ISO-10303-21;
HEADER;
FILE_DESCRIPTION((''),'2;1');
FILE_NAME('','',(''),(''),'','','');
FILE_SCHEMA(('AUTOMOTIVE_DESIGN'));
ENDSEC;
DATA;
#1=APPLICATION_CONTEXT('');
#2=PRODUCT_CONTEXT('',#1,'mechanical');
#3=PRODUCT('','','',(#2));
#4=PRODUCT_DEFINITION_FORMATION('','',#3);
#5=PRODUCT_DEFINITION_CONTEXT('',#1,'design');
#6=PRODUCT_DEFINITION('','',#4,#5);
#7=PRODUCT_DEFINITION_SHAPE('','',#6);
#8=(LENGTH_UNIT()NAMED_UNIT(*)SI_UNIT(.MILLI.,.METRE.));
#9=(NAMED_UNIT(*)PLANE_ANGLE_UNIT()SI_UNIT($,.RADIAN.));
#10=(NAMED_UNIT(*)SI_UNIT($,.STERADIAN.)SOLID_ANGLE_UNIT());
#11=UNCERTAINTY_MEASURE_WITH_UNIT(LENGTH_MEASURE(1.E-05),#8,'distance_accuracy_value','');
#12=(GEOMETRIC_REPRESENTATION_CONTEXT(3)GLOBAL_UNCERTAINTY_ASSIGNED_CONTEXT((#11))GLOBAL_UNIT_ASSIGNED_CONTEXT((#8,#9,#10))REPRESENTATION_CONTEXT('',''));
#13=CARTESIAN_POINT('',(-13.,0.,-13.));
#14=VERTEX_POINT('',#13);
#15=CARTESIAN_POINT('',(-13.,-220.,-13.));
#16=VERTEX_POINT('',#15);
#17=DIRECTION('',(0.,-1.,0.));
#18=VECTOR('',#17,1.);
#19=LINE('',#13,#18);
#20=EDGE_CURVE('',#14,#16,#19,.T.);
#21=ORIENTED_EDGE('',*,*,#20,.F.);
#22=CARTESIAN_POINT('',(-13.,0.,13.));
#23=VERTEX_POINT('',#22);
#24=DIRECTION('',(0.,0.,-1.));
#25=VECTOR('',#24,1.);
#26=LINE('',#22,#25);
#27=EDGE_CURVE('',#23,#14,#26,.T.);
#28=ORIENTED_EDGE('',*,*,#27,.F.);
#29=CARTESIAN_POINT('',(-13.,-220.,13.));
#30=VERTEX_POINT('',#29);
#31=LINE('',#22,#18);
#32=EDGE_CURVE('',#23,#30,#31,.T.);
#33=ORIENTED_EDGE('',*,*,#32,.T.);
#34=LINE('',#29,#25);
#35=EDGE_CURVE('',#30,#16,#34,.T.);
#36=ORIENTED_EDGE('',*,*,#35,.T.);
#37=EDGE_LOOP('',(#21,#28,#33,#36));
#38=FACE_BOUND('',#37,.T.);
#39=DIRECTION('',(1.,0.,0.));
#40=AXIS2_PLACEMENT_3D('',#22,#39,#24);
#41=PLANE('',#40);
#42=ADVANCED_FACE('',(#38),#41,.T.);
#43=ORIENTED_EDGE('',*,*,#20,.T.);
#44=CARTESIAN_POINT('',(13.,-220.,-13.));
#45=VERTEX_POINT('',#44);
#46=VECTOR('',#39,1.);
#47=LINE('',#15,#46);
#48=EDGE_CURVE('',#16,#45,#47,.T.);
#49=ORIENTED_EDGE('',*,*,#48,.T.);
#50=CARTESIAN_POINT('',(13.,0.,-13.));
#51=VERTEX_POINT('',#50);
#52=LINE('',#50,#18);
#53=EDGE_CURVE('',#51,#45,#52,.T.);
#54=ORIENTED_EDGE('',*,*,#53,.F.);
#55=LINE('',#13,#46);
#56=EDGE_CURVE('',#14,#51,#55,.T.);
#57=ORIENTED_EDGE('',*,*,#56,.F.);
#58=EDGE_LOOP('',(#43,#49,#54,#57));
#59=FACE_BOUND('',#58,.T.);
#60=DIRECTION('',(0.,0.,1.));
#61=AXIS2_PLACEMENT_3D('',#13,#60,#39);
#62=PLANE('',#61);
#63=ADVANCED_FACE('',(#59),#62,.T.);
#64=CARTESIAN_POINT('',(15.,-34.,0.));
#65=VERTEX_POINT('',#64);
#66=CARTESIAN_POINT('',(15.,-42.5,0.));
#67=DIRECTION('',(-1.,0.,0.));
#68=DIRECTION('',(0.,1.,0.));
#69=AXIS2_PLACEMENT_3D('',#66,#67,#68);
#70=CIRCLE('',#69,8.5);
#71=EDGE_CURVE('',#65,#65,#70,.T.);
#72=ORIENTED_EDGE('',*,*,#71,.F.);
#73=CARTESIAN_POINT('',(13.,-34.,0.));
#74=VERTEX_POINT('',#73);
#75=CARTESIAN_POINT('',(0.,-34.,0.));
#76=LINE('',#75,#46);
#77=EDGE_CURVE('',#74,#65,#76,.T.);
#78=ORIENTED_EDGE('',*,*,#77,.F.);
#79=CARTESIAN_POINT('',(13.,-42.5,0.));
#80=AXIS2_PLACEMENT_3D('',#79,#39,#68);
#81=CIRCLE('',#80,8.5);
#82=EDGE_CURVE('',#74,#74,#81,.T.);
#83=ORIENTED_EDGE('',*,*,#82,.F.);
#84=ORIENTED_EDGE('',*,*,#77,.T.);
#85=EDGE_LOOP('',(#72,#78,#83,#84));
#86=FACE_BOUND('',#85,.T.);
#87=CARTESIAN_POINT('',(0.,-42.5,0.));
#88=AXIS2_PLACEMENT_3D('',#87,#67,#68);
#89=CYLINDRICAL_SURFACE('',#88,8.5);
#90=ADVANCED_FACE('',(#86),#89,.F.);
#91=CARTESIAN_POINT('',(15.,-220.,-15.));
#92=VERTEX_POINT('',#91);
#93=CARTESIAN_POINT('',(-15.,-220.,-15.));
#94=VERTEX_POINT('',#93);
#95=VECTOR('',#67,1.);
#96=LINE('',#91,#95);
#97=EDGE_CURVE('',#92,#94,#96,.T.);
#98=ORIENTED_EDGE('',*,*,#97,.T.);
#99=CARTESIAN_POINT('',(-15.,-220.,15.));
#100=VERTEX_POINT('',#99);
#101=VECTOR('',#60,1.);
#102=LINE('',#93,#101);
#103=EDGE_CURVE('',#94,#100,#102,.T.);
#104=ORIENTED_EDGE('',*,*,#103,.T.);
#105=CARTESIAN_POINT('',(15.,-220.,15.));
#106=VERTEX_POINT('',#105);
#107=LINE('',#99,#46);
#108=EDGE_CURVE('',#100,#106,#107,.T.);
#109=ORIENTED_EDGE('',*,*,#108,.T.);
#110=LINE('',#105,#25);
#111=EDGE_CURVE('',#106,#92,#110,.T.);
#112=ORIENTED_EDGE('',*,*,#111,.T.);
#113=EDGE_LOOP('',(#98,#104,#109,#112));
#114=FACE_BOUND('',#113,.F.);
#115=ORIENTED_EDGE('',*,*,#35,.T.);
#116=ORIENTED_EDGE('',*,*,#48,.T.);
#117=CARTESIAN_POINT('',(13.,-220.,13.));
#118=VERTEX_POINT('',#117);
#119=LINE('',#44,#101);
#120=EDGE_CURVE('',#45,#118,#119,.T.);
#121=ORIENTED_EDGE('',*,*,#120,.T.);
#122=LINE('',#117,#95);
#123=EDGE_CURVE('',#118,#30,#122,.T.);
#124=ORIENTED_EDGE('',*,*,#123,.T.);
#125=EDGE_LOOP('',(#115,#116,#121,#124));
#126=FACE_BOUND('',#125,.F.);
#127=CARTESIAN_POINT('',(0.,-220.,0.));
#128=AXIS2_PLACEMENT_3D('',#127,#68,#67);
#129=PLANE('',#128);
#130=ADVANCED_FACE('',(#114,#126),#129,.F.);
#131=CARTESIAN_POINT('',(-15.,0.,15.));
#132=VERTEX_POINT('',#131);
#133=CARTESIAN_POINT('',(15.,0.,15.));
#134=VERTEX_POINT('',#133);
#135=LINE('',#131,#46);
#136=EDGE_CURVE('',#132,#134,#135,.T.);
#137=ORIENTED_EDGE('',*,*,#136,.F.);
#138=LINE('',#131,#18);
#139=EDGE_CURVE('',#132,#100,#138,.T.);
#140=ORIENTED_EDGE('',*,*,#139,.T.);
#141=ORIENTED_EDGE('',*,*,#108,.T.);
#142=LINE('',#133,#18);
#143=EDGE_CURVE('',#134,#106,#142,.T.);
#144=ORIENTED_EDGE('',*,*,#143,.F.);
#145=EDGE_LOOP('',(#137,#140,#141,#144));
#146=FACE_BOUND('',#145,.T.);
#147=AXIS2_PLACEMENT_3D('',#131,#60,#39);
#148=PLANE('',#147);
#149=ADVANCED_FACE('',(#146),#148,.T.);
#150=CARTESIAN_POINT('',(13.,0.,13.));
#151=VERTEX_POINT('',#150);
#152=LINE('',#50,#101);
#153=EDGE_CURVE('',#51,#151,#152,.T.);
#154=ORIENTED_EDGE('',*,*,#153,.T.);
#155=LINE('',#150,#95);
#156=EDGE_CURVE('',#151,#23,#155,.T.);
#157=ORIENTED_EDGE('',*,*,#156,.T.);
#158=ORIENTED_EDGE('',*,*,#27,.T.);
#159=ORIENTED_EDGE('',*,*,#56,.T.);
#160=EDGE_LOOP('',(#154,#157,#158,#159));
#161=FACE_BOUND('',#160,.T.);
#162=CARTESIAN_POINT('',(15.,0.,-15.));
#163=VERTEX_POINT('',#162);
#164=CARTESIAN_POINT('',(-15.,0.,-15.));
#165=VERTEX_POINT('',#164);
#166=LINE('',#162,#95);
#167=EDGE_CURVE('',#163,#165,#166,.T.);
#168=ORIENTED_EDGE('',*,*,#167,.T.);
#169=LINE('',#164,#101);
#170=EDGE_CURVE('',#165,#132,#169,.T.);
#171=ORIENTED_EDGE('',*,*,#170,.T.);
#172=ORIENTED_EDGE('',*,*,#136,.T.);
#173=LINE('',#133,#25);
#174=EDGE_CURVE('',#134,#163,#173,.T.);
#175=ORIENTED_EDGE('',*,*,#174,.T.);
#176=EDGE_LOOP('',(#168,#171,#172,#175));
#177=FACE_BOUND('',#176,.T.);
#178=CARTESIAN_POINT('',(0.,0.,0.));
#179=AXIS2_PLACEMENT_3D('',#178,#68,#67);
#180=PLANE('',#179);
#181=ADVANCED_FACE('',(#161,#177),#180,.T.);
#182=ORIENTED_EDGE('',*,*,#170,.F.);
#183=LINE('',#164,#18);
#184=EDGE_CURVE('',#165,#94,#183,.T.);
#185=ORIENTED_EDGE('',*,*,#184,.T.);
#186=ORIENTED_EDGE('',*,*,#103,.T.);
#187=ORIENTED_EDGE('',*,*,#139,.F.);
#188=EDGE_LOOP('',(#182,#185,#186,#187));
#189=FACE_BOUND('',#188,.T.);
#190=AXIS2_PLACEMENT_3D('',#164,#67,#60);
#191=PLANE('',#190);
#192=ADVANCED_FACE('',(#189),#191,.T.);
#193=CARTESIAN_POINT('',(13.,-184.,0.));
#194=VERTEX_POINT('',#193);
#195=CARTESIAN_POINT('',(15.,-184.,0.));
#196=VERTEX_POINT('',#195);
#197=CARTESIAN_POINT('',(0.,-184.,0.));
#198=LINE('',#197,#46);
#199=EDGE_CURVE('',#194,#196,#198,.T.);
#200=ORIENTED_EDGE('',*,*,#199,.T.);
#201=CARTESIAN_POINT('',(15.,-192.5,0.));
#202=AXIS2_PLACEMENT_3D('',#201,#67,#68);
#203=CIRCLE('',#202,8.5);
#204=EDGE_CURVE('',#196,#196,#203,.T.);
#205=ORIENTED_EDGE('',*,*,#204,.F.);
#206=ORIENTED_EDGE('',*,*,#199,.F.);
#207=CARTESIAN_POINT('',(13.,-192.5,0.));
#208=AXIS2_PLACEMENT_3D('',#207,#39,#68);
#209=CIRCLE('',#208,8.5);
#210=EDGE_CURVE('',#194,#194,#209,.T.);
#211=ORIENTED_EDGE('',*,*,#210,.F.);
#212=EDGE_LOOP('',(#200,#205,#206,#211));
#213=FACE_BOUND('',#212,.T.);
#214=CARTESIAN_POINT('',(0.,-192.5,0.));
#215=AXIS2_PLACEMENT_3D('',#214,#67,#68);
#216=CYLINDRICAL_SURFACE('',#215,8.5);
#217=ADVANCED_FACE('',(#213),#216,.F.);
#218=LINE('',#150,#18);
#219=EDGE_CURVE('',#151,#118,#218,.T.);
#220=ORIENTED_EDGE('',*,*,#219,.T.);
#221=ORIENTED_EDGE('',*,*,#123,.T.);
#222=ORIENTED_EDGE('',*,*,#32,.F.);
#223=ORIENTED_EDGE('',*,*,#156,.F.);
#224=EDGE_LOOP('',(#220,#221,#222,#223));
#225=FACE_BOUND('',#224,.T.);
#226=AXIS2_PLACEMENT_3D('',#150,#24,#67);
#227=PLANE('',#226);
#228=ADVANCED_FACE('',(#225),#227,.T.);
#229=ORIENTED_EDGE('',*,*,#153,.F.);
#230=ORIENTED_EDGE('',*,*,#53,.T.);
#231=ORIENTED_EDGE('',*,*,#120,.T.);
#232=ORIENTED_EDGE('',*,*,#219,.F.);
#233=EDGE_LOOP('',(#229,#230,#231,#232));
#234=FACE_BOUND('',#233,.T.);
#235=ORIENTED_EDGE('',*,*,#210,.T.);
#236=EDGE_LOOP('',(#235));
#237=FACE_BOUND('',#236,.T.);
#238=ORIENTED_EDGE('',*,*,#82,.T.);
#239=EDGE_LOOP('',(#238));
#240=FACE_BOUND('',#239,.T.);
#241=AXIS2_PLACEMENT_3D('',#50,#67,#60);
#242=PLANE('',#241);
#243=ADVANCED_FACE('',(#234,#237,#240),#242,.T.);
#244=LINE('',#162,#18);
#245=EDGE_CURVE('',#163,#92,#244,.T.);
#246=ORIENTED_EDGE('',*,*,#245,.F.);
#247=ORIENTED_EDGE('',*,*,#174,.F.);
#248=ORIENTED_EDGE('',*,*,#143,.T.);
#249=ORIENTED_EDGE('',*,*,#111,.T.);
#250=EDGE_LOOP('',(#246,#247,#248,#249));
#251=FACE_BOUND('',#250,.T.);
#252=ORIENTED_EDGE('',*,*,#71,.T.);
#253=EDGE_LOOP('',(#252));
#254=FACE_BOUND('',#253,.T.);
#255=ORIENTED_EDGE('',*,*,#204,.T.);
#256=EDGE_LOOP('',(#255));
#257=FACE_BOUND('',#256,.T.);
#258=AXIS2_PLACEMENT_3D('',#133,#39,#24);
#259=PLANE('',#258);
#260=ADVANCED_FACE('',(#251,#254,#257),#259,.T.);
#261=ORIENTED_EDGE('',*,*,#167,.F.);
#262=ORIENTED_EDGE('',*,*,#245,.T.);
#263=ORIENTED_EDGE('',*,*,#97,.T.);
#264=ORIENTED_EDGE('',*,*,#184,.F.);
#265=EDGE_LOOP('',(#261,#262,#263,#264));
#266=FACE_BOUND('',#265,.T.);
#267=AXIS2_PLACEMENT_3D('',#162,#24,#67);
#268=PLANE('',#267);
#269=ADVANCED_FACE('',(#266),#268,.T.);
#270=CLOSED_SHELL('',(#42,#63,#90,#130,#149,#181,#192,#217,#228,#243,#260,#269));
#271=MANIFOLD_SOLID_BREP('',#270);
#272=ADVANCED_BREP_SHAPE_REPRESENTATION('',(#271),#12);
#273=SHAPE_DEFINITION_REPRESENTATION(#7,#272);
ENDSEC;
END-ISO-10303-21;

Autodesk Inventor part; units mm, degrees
ref_plane "YZ Plane" through (0, 0, 0) normal (1, 0, 0) x (0, 1, 0)
ref_plane "XZ Plane" through (0, 0, 0) normal (0, 1, 0) x (-1, 0, 0)
ref_plane "XY Plane" through (0, 0, 0) normal (0, 0, 1) x (1, 0, 0)
sketch "Sketch9" plane through (0, 0, 0) normal (0, 1, 0) x (-1, 0, 0)
  line L0 (15, 15) -> (-15, 15)
  line L1 (-15, 15) -> (-15, -15)
  line L2 (-15, -15) -> (15, -15)
  line L3 (15, -15) -> (15, 15)
  line L4 (15, 15) -> (-15, -15) construction
  line L5 (-15, 15) -> (15, -15) construction
  line L6 (-13, 13) -> (13, 13)
  line L7 (13, 13) -> (13, -13)
  line L8 (13, -13) -> (-13, -13)
  line L9 (-13, -13) -> (-13, 13)
  point P0 (0, 0)
  dimension "d172" = 30
  dimension "d173" = 30
  dimension "d174" = 2
extrude "Extrusion3" add sketch "Sketch9" against normal blind 220
sketch "Sketch10" plane through (0, 0, 0) normal (1, 0, 0) x (0, 1, 0)
  line L0 (0, 15) -> (0, -15) construction
  line L1 (0, 15) -> (-220, 15) construction
  line L2 (-220, -15) -> (-220, 15) construction
  line L3 (0, -15) -> (-220, -15) construction
  line L4 (-201, 8.5) -> (-184, 8.5)
  line L5 (-184, 8.5) -> (-184, -8.5)
  line L6 (-184, -8.5) -> (-201, -8.5)
  line L7 (-201, -8.5) -> (-201, 8.5)
  line L8 (-201, 8.5) -> (-184, -8.5) construction
  line L9 (-184, 8.5) -> (-201, -8.5) construction
  circle A0 centre (-192.5, 0) radius 8.5
  line L10 (0, 15) -> (0, -15) projected
  point P0 (0, 0)
  point P1 (0, 0)
  point P2 (-220, 0)
  dimension "d177" = 17
  dimension "d178" = 17
  dimension "d191" = 19
extrude "Extrusion4" cut sketch "Sketch10" along normal through all contours A0
pattern_linear "Rectangular Pattern4" count 2 spacing 150 along (0, 1, 0) of "Extrusion4"
properties part number "ANP 1437 FDS WAY tube7" material "Stainless Steel"
